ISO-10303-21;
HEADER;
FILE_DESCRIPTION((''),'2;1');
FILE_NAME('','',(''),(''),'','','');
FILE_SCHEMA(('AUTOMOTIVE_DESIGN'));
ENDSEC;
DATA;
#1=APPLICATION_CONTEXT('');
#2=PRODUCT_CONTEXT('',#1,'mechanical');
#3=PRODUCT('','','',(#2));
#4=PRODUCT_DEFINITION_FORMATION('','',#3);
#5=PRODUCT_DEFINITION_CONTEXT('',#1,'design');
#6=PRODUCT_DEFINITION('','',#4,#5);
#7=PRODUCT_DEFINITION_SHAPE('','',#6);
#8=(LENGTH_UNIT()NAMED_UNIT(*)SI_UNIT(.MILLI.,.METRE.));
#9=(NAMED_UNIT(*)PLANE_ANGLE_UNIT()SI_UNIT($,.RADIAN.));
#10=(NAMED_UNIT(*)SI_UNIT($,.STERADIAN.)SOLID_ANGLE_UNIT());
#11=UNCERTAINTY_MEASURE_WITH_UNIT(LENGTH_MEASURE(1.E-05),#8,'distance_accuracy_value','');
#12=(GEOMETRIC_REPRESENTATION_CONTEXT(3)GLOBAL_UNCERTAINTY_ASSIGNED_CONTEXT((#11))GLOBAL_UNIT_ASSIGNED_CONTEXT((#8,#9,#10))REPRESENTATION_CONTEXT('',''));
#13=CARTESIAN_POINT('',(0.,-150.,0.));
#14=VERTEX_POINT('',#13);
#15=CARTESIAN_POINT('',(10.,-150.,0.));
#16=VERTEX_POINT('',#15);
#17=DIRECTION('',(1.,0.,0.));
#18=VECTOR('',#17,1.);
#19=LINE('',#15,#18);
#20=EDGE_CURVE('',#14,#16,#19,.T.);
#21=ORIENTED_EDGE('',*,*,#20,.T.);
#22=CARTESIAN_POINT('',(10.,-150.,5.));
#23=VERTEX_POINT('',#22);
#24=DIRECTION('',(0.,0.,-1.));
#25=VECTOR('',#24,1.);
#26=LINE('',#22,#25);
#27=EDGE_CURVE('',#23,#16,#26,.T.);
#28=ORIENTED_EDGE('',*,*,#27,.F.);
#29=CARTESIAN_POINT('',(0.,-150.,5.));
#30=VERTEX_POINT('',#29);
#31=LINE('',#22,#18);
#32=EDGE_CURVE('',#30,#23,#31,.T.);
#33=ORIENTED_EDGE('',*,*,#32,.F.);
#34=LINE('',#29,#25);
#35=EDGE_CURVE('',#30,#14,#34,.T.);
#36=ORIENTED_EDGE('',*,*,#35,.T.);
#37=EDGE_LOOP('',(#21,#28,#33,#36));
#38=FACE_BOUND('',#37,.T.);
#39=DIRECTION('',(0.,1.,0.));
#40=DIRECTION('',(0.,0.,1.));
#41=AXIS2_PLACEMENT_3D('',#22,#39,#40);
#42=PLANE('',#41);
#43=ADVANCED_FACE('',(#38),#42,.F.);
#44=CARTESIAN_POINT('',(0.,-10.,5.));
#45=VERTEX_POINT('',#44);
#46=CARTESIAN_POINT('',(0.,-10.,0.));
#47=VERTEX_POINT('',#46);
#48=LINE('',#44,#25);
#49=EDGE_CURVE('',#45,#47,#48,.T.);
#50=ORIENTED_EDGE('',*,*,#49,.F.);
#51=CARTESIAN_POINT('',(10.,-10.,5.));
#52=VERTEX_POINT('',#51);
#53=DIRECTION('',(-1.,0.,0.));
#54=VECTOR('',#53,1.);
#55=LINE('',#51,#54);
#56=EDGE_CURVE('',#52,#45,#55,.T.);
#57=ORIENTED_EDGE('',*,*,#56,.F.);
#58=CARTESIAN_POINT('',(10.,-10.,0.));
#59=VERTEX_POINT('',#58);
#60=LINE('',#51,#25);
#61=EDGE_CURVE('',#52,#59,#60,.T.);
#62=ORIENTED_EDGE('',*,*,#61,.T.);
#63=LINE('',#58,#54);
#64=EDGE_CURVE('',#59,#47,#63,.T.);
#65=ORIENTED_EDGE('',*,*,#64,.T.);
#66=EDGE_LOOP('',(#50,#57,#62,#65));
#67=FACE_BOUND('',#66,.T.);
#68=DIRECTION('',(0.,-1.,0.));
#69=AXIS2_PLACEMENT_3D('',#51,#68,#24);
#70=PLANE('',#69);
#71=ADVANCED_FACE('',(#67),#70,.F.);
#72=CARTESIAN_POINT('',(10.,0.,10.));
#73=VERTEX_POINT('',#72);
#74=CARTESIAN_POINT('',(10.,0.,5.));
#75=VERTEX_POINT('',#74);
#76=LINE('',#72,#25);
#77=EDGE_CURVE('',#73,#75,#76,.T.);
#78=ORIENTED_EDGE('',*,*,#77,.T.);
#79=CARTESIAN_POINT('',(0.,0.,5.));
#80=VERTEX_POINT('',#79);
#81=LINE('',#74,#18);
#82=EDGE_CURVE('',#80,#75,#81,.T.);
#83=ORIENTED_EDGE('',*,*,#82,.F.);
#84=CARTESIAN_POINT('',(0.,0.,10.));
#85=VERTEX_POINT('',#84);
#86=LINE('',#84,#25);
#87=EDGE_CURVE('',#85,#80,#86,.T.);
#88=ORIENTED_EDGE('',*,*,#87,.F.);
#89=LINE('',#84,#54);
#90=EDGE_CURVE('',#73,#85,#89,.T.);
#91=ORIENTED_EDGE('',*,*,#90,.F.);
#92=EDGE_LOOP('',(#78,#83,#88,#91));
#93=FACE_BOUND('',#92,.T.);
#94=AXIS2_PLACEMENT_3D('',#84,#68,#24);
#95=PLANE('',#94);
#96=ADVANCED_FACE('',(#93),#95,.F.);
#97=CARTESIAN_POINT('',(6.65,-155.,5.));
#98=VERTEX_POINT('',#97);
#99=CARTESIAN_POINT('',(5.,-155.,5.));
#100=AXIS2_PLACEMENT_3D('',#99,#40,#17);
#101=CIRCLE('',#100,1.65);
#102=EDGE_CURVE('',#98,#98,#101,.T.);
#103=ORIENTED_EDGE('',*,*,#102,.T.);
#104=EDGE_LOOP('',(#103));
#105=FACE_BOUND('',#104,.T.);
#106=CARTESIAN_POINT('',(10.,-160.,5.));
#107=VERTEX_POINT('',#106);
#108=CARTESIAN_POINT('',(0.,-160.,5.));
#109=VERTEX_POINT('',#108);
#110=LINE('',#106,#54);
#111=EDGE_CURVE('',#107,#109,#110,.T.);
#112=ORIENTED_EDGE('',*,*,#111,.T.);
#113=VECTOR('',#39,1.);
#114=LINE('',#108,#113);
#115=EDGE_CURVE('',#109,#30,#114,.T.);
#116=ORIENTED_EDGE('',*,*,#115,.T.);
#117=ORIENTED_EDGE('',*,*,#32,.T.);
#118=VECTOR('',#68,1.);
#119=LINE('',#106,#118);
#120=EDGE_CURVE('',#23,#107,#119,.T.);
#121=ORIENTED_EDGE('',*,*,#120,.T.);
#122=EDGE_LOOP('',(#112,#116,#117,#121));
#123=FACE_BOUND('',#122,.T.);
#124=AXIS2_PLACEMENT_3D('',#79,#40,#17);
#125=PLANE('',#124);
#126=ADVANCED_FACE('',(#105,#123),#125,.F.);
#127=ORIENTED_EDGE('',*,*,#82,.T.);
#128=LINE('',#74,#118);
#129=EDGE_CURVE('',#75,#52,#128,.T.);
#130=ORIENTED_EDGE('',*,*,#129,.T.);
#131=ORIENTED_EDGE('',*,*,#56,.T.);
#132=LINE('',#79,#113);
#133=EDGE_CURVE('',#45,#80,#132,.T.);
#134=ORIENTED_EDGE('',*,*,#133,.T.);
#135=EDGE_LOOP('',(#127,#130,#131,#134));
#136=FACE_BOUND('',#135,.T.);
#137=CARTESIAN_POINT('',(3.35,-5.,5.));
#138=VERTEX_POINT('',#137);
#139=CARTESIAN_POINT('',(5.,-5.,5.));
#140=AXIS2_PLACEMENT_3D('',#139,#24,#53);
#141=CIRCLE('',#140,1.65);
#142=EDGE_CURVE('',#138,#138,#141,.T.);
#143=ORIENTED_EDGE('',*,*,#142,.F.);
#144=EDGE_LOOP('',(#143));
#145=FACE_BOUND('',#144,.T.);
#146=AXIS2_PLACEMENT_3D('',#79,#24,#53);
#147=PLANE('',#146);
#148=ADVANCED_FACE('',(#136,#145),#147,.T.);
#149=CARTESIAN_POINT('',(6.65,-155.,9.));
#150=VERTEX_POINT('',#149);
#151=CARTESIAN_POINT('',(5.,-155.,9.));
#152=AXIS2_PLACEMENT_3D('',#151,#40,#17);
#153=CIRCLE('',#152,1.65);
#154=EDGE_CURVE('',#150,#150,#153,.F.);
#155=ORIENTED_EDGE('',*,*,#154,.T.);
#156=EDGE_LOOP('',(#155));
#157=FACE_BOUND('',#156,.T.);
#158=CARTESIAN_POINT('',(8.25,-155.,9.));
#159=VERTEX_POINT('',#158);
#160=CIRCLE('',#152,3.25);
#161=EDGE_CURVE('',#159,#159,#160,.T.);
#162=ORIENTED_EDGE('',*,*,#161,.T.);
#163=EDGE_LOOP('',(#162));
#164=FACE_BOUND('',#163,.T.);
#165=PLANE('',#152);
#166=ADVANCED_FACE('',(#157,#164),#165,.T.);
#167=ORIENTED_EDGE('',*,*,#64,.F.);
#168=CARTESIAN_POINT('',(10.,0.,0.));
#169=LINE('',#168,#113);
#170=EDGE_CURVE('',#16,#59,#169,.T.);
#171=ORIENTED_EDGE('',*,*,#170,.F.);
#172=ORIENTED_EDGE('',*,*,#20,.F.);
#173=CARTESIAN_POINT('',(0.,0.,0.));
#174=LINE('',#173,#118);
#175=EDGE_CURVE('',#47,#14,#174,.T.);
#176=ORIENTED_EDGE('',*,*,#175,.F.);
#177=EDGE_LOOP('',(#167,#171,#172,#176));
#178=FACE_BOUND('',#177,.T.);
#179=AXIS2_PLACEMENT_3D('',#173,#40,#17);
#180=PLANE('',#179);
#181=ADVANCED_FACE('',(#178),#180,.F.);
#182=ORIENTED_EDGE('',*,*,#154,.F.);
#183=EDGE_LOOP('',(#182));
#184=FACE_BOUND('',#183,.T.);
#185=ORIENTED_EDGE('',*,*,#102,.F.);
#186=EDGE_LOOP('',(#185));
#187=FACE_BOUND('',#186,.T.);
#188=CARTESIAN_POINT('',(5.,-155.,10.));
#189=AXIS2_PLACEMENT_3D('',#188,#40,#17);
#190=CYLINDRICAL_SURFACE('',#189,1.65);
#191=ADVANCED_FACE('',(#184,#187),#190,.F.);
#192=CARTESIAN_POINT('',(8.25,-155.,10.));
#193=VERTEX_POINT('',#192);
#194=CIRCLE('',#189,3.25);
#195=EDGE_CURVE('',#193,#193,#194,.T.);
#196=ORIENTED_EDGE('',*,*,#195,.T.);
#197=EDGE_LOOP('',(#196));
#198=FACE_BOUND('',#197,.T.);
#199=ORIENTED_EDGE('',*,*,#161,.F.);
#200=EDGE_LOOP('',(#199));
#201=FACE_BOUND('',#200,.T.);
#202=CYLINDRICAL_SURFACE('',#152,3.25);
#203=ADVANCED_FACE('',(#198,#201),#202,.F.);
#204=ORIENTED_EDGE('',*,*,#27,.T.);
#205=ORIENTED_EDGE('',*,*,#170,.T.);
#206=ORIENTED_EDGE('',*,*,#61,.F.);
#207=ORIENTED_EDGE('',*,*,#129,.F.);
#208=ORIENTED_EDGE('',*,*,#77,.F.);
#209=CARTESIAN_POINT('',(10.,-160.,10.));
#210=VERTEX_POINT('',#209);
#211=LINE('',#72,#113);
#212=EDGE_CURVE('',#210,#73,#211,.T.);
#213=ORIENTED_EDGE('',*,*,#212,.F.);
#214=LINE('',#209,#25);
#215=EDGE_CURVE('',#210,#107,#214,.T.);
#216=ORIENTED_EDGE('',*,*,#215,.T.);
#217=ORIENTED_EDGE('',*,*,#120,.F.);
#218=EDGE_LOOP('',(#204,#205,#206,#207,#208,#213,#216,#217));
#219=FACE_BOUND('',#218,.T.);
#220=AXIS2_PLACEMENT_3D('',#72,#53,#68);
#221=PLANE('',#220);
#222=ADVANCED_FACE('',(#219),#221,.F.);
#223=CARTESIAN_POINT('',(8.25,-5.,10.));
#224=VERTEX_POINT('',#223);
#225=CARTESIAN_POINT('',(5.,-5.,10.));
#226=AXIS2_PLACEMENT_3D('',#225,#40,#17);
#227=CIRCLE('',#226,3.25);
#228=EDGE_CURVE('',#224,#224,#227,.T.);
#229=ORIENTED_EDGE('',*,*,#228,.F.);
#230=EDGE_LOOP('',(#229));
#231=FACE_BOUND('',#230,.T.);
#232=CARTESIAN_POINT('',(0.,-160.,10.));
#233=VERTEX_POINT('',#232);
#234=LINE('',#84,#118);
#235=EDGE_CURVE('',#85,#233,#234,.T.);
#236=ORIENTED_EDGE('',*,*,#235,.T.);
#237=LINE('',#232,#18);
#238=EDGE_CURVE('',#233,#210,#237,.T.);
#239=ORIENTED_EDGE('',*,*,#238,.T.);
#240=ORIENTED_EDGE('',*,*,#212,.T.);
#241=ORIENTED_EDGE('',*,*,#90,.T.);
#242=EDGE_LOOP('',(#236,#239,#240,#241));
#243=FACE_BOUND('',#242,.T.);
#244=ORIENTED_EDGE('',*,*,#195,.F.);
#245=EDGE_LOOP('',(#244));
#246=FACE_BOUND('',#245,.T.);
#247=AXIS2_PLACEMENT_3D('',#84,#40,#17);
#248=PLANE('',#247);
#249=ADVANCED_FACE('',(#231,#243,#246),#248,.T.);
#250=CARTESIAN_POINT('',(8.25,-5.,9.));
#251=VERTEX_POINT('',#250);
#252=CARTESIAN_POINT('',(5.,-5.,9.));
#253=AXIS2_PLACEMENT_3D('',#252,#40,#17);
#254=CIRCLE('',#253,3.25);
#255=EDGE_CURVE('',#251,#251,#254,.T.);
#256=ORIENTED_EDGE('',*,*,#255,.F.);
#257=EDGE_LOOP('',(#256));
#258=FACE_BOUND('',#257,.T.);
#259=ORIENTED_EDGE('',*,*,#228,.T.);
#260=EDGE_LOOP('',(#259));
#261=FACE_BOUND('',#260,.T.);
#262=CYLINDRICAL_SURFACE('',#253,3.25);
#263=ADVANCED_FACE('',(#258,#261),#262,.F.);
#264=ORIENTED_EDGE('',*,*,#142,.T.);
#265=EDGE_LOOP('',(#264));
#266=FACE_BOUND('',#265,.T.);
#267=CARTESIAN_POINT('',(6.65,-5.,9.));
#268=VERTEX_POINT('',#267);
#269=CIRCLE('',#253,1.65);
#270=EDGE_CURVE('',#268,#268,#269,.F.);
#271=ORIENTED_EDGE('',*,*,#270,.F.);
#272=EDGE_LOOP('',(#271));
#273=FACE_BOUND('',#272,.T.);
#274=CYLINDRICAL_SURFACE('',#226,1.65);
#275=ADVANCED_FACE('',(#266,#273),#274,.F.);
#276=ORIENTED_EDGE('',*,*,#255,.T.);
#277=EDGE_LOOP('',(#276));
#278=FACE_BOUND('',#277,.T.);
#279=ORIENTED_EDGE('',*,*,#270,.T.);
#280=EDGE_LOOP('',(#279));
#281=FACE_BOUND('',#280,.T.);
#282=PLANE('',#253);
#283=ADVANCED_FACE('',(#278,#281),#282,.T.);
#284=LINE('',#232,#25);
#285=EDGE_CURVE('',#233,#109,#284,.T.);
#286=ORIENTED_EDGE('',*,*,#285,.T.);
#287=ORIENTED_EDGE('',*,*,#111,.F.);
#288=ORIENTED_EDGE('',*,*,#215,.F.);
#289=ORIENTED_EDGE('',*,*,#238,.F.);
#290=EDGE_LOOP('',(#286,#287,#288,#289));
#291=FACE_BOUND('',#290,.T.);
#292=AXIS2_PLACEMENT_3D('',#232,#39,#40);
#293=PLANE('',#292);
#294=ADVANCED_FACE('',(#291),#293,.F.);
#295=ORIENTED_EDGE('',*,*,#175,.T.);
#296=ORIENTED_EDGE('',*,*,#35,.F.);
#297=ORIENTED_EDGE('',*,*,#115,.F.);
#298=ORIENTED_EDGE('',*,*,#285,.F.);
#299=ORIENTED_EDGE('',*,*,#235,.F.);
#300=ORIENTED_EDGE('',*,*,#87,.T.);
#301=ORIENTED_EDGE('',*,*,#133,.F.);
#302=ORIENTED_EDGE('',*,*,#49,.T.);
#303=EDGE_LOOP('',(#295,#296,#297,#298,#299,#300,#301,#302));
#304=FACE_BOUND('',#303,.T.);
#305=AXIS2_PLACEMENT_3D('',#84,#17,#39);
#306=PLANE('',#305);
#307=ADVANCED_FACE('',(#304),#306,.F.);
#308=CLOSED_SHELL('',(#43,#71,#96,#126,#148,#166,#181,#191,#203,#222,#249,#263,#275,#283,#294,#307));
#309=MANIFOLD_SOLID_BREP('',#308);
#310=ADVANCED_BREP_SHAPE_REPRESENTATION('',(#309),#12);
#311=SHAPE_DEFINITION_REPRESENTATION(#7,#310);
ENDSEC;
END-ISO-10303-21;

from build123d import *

# Parameters (mm, degrees)
SKETCH_1_W          = 10
SKETCH_1_H          = 160
EXTRUDE_1_DEPTH     = 10
SKETCH_3_W          = 10
SKETCH_3_H          = 10
CUT_EXTRUDE_1_DEPTH = 5
HOLE_WIZARD_M4_1_D  = 3.3
SKETCH_7_R          = 3.25
CUT_EXTRUDE_2_DEPTH = 1


with BuildPart() as part:
    # 草图1 → 凸台-拉伸1 (new body)
    with BuildSketch(Plane.XY):
        with Locations((5, -80)):
            Rectangle(SKETCH_1_W, SKETCH_1_H)
    extrude(amount=EXTRUDE_1_DEPTH)

    # 草图3 → 切除-拉伸1 (cut)
    with BuildSketch(Plane(origin=(0, 0, 0), x_dir=(-1, 0, 0), z_dir=(0, 0, -1))):
        with Locations((-5, -5)):
            Rectangle(SKETCH_3_W, SKETCH_3_H)
        with Locations((-5, -155)):
            Rectangle(SKETCH_3_W, SKETCH_3_H)
    extrude(amount=-CUT_EXTRUDE_1_DEPTH, mode=Mode.SUBTRACT)

    # M4 螺纹孔的螺纹孔钻头1 (through all)
    with Locations(Plane.XY.offset(10)):
        with Locations((5, -5), (5, -155)):
            Hole(HOLE_WIZARD_M4_1_D / 2)

    # 草图7 → 切除-拉伸2 (cut)
    with BuildSketch(Plane.XY.offset(10)):
        with Locations((5, -5)):
            Circle(SKETCH_7_R)
        with Locations((5, -155)):
            Circle(SKETCH_7_R)
    extrude(amount=-CUT_EXTRUDE_2_DEPTH, mode=Mode.SUBTRACT)


solid = part.part
